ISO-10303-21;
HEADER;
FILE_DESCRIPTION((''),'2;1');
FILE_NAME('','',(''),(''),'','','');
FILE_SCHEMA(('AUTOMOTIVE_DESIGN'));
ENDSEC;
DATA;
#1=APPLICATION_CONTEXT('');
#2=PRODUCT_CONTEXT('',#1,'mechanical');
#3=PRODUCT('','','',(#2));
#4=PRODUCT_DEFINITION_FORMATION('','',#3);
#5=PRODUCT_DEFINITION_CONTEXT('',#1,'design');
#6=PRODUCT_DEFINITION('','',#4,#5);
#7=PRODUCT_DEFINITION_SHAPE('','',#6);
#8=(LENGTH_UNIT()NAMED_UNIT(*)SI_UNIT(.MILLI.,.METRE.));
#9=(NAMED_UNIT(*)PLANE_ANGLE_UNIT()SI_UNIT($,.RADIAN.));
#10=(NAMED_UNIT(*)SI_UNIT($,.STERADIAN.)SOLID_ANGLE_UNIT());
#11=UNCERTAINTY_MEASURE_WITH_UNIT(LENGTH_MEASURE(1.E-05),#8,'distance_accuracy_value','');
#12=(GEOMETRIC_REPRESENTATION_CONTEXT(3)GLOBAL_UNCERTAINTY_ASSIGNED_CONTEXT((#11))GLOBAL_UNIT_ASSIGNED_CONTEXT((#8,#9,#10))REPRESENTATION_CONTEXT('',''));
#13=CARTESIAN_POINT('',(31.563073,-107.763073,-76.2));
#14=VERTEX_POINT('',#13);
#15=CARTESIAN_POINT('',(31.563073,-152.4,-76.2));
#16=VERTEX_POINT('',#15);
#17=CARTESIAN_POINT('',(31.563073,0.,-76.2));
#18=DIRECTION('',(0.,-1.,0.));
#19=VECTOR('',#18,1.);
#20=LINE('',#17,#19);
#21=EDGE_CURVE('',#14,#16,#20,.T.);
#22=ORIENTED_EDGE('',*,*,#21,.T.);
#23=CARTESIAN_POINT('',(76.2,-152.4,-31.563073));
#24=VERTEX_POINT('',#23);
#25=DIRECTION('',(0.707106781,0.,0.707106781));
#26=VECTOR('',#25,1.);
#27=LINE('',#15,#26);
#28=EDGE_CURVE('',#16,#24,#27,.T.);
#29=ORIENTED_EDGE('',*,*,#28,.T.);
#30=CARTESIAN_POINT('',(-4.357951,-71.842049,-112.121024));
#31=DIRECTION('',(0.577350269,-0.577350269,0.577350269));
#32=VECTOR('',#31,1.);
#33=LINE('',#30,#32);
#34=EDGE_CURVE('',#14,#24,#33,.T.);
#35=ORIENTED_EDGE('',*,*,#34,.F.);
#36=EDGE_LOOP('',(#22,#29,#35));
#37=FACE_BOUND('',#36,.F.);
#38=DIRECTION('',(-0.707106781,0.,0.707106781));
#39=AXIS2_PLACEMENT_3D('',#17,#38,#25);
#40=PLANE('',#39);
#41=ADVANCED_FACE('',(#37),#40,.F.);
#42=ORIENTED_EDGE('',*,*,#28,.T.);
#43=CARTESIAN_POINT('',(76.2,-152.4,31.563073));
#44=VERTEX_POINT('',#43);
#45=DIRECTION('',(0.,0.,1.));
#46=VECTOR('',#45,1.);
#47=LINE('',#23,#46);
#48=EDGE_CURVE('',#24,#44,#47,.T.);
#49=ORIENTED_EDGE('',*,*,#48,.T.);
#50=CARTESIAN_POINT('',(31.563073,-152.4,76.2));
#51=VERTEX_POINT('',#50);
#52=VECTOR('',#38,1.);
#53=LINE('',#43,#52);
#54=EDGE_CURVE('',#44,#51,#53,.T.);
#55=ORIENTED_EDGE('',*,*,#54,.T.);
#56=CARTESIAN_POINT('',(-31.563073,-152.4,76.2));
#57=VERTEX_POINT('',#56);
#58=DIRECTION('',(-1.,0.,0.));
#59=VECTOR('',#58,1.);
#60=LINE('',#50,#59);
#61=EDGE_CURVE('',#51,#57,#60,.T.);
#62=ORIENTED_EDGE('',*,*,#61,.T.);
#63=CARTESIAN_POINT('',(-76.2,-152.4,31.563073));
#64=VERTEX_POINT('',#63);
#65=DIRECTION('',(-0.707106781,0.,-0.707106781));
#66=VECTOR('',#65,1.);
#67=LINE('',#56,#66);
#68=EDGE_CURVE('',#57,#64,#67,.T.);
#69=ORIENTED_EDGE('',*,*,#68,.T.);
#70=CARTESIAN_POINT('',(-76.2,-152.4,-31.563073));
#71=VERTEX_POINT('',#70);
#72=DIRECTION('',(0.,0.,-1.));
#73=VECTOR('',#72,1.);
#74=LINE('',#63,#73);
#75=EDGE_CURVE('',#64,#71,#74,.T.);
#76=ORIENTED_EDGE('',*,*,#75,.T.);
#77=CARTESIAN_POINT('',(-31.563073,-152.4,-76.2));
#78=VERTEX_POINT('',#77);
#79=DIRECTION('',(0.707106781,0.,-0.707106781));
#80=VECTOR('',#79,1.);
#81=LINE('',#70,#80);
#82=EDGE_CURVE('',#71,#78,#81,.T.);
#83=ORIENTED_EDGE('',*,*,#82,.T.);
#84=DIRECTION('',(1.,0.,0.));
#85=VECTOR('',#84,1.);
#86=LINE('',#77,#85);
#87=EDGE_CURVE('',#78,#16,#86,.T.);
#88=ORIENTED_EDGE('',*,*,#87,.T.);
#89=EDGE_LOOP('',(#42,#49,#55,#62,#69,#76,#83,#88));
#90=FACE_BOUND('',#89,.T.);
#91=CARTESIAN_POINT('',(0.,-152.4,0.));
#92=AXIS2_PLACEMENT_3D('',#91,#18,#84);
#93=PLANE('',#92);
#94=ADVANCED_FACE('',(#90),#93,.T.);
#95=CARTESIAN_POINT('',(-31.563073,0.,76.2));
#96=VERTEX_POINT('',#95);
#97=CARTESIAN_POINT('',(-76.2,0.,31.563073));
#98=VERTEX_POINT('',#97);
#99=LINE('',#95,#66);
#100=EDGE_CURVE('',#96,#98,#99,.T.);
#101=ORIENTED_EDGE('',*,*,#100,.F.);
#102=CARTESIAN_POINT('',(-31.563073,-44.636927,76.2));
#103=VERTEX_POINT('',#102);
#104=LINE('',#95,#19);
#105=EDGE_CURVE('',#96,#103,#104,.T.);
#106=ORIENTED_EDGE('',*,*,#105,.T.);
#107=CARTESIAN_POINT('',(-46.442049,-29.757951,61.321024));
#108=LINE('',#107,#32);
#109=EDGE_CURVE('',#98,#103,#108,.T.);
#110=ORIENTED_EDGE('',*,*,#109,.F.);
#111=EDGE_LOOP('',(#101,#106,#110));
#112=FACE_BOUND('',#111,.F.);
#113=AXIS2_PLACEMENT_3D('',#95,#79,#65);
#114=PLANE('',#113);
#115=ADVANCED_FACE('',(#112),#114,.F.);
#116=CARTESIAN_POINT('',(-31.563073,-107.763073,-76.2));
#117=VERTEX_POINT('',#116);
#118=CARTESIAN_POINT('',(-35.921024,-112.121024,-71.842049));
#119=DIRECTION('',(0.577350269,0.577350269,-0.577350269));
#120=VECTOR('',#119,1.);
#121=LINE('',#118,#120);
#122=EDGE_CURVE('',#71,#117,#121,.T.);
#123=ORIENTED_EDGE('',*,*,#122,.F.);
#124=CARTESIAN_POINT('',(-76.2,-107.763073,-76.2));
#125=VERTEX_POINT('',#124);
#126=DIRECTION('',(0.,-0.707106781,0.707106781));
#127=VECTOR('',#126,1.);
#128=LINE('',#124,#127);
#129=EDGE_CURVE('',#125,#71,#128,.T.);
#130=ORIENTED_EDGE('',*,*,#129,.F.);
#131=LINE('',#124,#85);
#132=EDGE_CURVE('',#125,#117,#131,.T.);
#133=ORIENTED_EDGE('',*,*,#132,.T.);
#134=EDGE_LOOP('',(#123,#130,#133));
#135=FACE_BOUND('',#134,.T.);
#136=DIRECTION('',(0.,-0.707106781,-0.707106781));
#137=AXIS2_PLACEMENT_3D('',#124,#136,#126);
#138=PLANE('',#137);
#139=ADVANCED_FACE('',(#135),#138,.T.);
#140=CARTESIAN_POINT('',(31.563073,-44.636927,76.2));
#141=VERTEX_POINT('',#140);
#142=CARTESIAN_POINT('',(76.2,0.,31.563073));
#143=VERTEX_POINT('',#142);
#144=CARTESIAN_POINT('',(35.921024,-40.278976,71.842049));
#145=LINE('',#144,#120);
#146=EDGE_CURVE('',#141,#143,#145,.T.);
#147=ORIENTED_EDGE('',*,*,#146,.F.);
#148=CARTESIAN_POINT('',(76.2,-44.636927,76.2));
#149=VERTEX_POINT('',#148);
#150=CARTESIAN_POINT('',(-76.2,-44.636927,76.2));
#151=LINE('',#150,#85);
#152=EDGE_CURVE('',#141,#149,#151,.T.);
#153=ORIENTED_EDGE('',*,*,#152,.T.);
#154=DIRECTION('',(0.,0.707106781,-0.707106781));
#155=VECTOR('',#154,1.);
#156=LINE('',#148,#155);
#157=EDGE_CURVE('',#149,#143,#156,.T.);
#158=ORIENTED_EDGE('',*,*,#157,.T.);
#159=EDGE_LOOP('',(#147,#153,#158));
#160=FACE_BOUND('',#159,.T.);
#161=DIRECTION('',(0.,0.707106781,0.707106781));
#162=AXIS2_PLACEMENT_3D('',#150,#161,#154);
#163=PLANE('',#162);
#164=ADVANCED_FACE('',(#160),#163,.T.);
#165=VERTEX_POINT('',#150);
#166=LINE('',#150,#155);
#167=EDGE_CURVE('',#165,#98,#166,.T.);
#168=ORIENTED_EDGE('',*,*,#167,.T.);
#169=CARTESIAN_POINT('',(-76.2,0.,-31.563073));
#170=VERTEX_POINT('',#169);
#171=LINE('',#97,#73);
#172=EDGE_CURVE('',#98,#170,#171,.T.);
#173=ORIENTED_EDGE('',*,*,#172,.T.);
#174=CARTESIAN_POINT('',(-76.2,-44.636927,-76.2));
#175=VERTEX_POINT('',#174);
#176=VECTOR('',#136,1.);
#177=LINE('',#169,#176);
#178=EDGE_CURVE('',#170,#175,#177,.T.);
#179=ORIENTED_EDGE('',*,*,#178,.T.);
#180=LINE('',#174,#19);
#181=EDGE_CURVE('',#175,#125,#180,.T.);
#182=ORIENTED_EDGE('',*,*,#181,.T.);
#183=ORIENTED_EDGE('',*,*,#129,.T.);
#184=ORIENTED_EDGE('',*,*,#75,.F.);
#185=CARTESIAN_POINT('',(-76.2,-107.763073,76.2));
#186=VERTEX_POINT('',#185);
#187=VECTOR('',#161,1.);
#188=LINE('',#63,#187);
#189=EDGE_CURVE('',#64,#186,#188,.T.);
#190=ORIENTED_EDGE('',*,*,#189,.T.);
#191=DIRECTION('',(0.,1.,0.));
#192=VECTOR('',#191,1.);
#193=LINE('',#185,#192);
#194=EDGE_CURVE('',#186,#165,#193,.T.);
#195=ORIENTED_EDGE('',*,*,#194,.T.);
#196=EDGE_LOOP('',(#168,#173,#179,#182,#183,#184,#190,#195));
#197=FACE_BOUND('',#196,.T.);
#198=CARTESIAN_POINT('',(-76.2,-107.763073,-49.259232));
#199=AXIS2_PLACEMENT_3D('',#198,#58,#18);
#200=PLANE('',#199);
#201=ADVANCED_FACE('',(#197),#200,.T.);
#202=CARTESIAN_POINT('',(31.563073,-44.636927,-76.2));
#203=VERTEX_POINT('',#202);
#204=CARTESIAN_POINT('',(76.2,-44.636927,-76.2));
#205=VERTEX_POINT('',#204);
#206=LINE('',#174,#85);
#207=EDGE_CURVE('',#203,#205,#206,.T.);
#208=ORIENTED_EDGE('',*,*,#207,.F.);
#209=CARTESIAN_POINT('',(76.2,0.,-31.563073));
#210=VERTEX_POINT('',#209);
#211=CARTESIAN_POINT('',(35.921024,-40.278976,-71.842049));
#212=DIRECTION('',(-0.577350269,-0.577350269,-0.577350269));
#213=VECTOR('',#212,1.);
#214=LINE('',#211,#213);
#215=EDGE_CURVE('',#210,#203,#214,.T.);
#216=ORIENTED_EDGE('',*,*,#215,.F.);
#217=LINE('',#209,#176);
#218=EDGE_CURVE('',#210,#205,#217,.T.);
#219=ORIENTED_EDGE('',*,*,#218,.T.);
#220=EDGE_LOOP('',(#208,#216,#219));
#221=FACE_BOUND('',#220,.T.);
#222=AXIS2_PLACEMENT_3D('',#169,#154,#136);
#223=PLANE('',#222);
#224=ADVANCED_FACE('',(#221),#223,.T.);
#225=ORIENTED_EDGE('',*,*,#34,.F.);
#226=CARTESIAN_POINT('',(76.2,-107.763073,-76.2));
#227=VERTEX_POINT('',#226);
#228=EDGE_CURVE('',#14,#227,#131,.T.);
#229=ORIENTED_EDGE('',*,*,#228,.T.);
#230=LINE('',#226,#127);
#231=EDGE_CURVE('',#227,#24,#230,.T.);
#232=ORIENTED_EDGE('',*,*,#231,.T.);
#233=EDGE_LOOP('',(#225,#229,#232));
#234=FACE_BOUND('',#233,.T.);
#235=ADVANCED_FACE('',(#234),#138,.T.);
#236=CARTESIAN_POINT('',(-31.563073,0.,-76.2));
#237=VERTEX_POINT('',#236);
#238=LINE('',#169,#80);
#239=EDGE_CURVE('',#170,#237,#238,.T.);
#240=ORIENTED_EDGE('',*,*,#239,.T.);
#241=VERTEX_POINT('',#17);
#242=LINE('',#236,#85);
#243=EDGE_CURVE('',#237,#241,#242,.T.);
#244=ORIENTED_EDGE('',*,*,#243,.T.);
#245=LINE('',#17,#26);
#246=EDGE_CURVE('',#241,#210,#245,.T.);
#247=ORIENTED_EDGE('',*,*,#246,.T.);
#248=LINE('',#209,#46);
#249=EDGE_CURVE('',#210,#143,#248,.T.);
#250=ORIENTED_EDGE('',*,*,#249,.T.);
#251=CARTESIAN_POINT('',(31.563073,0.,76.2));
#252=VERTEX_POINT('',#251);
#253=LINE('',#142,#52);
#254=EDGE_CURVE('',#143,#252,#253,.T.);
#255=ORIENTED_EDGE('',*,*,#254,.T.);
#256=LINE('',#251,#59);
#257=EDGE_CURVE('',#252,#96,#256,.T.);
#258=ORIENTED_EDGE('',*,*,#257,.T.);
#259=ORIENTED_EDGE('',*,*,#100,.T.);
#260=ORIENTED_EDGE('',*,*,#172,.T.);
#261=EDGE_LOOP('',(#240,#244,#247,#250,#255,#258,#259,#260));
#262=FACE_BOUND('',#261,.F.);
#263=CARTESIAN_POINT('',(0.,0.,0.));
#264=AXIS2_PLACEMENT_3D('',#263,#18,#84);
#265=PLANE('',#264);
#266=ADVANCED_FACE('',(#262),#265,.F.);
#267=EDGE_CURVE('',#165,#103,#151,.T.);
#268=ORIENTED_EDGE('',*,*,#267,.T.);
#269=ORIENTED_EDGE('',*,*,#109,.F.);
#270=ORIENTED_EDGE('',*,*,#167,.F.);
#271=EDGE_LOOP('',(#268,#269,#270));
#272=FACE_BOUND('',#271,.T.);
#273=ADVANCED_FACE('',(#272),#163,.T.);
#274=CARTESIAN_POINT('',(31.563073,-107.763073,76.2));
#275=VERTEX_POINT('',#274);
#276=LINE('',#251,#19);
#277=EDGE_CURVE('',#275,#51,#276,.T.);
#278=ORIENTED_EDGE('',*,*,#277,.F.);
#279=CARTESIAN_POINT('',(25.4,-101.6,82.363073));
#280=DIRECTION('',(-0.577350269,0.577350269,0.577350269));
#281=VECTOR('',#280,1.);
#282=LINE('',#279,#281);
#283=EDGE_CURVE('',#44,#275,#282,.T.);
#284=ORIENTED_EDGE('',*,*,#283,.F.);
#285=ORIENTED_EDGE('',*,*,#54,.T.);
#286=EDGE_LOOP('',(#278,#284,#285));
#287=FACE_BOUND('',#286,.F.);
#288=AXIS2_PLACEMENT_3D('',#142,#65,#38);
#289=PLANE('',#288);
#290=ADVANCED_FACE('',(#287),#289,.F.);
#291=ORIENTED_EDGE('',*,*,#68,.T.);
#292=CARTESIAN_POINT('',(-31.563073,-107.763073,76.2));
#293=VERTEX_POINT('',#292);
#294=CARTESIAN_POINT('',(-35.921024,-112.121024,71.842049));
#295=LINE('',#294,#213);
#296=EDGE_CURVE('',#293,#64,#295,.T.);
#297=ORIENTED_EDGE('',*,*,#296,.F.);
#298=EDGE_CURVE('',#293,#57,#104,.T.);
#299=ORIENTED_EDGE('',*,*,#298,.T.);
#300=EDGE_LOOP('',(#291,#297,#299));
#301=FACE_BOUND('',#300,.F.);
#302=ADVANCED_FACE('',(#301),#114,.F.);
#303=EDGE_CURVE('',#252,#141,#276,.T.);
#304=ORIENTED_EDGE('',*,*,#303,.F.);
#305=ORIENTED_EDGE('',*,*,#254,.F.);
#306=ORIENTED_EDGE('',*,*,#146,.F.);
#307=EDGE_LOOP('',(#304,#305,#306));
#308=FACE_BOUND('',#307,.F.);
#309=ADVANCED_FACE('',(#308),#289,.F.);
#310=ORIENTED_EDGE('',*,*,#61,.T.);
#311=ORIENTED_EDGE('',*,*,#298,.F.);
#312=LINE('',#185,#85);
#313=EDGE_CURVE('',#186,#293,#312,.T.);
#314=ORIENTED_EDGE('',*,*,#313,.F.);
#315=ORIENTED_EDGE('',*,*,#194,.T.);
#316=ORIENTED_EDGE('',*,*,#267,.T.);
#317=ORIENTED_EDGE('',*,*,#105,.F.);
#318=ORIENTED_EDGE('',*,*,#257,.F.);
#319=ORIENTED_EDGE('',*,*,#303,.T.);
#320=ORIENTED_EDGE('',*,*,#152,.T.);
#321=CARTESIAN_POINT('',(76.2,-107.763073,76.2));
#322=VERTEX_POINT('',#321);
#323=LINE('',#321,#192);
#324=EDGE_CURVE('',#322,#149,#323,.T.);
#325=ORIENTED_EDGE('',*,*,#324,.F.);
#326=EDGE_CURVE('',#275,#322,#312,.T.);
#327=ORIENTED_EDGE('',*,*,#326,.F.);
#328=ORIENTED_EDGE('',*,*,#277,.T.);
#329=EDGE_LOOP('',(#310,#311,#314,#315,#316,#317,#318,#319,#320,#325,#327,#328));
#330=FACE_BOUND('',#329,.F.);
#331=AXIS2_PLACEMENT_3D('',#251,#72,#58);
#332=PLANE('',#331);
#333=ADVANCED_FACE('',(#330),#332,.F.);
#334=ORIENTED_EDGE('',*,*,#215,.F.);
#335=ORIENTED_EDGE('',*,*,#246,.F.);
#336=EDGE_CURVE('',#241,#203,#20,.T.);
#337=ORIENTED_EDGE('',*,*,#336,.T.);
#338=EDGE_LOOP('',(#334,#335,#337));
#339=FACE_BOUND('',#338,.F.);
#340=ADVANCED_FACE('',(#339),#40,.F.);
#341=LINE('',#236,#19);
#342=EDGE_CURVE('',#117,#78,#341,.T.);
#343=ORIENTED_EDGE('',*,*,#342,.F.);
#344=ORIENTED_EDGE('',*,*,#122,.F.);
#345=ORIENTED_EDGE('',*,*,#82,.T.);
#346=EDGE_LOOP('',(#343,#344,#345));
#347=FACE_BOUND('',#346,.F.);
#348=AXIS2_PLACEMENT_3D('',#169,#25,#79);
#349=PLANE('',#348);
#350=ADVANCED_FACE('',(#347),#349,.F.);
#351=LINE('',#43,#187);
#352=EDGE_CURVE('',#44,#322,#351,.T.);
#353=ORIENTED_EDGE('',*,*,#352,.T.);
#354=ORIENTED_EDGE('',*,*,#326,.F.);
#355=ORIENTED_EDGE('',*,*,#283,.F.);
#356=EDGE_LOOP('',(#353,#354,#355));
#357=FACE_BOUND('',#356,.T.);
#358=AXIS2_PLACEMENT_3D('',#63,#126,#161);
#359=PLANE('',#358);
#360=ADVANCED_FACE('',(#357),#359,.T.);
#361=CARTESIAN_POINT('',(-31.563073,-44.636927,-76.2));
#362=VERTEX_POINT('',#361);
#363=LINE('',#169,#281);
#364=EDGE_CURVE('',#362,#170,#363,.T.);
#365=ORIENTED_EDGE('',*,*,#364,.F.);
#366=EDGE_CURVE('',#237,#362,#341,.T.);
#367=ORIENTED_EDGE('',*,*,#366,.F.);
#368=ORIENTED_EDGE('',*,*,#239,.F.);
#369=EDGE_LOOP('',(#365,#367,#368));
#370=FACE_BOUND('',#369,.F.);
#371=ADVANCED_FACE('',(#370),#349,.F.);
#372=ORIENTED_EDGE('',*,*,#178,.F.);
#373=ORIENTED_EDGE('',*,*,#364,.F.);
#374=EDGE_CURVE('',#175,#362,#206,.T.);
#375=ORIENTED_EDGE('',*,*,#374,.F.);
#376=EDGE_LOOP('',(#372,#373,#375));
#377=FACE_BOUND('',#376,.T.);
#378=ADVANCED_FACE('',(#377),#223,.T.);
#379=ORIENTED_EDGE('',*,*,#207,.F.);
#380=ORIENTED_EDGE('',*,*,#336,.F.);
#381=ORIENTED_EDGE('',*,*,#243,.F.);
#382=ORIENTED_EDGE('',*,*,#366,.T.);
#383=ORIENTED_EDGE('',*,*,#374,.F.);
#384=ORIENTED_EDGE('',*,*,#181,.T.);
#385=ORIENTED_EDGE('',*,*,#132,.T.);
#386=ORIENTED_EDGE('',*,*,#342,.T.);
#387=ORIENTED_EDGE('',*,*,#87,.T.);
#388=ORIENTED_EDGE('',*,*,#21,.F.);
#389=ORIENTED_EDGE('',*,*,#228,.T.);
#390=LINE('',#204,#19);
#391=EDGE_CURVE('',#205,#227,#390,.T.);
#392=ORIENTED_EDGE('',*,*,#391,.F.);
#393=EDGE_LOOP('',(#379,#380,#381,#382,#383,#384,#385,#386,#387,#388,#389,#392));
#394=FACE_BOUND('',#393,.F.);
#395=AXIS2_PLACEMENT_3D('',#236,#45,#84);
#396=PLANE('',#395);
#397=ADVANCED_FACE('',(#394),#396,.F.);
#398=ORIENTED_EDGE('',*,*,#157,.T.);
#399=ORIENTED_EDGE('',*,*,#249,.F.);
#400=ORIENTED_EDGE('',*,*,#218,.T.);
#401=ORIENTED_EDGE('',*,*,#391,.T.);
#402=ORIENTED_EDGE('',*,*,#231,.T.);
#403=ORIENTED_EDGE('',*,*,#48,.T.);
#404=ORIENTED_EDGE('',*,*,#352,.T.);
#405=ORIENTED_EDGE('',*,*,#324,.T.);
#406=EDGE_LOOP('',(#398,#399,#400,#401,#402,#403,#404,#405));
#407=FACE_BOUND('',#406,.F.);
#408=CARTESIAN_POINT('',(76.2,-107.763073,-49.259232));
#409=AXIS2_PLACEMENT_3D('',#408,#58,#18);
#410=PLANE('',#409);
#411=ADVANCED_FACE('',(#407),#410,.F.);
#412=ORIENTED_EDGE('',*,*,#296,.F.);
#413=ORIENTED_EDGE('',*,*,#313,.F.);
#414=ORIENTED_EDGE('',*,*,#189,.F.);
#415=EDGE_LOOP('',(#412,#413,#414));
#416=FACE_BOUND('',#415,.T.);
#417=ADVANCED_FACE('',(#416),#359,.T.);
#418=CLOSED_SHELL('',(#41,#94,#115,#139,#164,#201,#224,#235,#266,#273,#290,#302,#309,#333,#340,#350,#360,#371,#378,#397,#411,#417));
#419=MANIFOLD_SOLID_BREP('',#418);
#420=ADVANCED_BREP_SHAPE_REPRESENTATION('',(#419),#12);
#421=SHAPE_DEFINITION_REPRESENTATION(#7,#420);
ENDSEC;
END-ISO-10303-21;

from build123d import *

# Parameters (mm, degrees)
F1_DEPTH = 152.4
F2_W     = 76.2
F2_H     = 31.5630734528
F3_DEPTH = 152.4


with BuildPart() as f1:
    # F0 (on Front) → F1 (new body)
    with BuildSketch(Plane.XZ):
        Polygon((-31.5630734528, -76.2), (31.5630734528, -76.2), (76.2, -31.5630734528), (76.2, 31.5630734528), (31.5630734528, 76.2), (-31.5630734528, 76.2), (-76.2, 31.5630734528), (-76.2, -31.5630734528), align=None)
    extrude(amount=F1_DEPTH)

    # F2 (on face) → F3 (join)
    with BuildSketch(Plane(origin=(-76.2, 0, 0), x_dir=(0, -1, 0), z_dir=(-1, 0, 0))):
        Polygon((152.4, -31.5630734528), (76.2, -31.5630734528), (76.2, -76.2), (107.7630734528, -76.2), align=None)
        Polygon((76.2, -31.5630734528), (0, -31.5630734528), (44.6369265472, -76.2), (76.2, -76.2), align=None)
        with Locations((38.1, -15.7815367264)):
            Rectangle(F2_W, F2_H)
        with Locations((114.3, -15.7815367264)):
            Rectangle(F2_W, F2_H)
        Polygon((0, 31.5630734528), (0, 0), (76.2, 0), (152.4, 0), (152.4, 31.5630734528), align=None)
        Polygon((44.6369265472, 76.2), (0, 31.5630734528), (152.4, 31.5630734528), (107.7630734528, 76.2), align=None)
    extrude(amount=-F3_DEPTH)


solid = f1.part
